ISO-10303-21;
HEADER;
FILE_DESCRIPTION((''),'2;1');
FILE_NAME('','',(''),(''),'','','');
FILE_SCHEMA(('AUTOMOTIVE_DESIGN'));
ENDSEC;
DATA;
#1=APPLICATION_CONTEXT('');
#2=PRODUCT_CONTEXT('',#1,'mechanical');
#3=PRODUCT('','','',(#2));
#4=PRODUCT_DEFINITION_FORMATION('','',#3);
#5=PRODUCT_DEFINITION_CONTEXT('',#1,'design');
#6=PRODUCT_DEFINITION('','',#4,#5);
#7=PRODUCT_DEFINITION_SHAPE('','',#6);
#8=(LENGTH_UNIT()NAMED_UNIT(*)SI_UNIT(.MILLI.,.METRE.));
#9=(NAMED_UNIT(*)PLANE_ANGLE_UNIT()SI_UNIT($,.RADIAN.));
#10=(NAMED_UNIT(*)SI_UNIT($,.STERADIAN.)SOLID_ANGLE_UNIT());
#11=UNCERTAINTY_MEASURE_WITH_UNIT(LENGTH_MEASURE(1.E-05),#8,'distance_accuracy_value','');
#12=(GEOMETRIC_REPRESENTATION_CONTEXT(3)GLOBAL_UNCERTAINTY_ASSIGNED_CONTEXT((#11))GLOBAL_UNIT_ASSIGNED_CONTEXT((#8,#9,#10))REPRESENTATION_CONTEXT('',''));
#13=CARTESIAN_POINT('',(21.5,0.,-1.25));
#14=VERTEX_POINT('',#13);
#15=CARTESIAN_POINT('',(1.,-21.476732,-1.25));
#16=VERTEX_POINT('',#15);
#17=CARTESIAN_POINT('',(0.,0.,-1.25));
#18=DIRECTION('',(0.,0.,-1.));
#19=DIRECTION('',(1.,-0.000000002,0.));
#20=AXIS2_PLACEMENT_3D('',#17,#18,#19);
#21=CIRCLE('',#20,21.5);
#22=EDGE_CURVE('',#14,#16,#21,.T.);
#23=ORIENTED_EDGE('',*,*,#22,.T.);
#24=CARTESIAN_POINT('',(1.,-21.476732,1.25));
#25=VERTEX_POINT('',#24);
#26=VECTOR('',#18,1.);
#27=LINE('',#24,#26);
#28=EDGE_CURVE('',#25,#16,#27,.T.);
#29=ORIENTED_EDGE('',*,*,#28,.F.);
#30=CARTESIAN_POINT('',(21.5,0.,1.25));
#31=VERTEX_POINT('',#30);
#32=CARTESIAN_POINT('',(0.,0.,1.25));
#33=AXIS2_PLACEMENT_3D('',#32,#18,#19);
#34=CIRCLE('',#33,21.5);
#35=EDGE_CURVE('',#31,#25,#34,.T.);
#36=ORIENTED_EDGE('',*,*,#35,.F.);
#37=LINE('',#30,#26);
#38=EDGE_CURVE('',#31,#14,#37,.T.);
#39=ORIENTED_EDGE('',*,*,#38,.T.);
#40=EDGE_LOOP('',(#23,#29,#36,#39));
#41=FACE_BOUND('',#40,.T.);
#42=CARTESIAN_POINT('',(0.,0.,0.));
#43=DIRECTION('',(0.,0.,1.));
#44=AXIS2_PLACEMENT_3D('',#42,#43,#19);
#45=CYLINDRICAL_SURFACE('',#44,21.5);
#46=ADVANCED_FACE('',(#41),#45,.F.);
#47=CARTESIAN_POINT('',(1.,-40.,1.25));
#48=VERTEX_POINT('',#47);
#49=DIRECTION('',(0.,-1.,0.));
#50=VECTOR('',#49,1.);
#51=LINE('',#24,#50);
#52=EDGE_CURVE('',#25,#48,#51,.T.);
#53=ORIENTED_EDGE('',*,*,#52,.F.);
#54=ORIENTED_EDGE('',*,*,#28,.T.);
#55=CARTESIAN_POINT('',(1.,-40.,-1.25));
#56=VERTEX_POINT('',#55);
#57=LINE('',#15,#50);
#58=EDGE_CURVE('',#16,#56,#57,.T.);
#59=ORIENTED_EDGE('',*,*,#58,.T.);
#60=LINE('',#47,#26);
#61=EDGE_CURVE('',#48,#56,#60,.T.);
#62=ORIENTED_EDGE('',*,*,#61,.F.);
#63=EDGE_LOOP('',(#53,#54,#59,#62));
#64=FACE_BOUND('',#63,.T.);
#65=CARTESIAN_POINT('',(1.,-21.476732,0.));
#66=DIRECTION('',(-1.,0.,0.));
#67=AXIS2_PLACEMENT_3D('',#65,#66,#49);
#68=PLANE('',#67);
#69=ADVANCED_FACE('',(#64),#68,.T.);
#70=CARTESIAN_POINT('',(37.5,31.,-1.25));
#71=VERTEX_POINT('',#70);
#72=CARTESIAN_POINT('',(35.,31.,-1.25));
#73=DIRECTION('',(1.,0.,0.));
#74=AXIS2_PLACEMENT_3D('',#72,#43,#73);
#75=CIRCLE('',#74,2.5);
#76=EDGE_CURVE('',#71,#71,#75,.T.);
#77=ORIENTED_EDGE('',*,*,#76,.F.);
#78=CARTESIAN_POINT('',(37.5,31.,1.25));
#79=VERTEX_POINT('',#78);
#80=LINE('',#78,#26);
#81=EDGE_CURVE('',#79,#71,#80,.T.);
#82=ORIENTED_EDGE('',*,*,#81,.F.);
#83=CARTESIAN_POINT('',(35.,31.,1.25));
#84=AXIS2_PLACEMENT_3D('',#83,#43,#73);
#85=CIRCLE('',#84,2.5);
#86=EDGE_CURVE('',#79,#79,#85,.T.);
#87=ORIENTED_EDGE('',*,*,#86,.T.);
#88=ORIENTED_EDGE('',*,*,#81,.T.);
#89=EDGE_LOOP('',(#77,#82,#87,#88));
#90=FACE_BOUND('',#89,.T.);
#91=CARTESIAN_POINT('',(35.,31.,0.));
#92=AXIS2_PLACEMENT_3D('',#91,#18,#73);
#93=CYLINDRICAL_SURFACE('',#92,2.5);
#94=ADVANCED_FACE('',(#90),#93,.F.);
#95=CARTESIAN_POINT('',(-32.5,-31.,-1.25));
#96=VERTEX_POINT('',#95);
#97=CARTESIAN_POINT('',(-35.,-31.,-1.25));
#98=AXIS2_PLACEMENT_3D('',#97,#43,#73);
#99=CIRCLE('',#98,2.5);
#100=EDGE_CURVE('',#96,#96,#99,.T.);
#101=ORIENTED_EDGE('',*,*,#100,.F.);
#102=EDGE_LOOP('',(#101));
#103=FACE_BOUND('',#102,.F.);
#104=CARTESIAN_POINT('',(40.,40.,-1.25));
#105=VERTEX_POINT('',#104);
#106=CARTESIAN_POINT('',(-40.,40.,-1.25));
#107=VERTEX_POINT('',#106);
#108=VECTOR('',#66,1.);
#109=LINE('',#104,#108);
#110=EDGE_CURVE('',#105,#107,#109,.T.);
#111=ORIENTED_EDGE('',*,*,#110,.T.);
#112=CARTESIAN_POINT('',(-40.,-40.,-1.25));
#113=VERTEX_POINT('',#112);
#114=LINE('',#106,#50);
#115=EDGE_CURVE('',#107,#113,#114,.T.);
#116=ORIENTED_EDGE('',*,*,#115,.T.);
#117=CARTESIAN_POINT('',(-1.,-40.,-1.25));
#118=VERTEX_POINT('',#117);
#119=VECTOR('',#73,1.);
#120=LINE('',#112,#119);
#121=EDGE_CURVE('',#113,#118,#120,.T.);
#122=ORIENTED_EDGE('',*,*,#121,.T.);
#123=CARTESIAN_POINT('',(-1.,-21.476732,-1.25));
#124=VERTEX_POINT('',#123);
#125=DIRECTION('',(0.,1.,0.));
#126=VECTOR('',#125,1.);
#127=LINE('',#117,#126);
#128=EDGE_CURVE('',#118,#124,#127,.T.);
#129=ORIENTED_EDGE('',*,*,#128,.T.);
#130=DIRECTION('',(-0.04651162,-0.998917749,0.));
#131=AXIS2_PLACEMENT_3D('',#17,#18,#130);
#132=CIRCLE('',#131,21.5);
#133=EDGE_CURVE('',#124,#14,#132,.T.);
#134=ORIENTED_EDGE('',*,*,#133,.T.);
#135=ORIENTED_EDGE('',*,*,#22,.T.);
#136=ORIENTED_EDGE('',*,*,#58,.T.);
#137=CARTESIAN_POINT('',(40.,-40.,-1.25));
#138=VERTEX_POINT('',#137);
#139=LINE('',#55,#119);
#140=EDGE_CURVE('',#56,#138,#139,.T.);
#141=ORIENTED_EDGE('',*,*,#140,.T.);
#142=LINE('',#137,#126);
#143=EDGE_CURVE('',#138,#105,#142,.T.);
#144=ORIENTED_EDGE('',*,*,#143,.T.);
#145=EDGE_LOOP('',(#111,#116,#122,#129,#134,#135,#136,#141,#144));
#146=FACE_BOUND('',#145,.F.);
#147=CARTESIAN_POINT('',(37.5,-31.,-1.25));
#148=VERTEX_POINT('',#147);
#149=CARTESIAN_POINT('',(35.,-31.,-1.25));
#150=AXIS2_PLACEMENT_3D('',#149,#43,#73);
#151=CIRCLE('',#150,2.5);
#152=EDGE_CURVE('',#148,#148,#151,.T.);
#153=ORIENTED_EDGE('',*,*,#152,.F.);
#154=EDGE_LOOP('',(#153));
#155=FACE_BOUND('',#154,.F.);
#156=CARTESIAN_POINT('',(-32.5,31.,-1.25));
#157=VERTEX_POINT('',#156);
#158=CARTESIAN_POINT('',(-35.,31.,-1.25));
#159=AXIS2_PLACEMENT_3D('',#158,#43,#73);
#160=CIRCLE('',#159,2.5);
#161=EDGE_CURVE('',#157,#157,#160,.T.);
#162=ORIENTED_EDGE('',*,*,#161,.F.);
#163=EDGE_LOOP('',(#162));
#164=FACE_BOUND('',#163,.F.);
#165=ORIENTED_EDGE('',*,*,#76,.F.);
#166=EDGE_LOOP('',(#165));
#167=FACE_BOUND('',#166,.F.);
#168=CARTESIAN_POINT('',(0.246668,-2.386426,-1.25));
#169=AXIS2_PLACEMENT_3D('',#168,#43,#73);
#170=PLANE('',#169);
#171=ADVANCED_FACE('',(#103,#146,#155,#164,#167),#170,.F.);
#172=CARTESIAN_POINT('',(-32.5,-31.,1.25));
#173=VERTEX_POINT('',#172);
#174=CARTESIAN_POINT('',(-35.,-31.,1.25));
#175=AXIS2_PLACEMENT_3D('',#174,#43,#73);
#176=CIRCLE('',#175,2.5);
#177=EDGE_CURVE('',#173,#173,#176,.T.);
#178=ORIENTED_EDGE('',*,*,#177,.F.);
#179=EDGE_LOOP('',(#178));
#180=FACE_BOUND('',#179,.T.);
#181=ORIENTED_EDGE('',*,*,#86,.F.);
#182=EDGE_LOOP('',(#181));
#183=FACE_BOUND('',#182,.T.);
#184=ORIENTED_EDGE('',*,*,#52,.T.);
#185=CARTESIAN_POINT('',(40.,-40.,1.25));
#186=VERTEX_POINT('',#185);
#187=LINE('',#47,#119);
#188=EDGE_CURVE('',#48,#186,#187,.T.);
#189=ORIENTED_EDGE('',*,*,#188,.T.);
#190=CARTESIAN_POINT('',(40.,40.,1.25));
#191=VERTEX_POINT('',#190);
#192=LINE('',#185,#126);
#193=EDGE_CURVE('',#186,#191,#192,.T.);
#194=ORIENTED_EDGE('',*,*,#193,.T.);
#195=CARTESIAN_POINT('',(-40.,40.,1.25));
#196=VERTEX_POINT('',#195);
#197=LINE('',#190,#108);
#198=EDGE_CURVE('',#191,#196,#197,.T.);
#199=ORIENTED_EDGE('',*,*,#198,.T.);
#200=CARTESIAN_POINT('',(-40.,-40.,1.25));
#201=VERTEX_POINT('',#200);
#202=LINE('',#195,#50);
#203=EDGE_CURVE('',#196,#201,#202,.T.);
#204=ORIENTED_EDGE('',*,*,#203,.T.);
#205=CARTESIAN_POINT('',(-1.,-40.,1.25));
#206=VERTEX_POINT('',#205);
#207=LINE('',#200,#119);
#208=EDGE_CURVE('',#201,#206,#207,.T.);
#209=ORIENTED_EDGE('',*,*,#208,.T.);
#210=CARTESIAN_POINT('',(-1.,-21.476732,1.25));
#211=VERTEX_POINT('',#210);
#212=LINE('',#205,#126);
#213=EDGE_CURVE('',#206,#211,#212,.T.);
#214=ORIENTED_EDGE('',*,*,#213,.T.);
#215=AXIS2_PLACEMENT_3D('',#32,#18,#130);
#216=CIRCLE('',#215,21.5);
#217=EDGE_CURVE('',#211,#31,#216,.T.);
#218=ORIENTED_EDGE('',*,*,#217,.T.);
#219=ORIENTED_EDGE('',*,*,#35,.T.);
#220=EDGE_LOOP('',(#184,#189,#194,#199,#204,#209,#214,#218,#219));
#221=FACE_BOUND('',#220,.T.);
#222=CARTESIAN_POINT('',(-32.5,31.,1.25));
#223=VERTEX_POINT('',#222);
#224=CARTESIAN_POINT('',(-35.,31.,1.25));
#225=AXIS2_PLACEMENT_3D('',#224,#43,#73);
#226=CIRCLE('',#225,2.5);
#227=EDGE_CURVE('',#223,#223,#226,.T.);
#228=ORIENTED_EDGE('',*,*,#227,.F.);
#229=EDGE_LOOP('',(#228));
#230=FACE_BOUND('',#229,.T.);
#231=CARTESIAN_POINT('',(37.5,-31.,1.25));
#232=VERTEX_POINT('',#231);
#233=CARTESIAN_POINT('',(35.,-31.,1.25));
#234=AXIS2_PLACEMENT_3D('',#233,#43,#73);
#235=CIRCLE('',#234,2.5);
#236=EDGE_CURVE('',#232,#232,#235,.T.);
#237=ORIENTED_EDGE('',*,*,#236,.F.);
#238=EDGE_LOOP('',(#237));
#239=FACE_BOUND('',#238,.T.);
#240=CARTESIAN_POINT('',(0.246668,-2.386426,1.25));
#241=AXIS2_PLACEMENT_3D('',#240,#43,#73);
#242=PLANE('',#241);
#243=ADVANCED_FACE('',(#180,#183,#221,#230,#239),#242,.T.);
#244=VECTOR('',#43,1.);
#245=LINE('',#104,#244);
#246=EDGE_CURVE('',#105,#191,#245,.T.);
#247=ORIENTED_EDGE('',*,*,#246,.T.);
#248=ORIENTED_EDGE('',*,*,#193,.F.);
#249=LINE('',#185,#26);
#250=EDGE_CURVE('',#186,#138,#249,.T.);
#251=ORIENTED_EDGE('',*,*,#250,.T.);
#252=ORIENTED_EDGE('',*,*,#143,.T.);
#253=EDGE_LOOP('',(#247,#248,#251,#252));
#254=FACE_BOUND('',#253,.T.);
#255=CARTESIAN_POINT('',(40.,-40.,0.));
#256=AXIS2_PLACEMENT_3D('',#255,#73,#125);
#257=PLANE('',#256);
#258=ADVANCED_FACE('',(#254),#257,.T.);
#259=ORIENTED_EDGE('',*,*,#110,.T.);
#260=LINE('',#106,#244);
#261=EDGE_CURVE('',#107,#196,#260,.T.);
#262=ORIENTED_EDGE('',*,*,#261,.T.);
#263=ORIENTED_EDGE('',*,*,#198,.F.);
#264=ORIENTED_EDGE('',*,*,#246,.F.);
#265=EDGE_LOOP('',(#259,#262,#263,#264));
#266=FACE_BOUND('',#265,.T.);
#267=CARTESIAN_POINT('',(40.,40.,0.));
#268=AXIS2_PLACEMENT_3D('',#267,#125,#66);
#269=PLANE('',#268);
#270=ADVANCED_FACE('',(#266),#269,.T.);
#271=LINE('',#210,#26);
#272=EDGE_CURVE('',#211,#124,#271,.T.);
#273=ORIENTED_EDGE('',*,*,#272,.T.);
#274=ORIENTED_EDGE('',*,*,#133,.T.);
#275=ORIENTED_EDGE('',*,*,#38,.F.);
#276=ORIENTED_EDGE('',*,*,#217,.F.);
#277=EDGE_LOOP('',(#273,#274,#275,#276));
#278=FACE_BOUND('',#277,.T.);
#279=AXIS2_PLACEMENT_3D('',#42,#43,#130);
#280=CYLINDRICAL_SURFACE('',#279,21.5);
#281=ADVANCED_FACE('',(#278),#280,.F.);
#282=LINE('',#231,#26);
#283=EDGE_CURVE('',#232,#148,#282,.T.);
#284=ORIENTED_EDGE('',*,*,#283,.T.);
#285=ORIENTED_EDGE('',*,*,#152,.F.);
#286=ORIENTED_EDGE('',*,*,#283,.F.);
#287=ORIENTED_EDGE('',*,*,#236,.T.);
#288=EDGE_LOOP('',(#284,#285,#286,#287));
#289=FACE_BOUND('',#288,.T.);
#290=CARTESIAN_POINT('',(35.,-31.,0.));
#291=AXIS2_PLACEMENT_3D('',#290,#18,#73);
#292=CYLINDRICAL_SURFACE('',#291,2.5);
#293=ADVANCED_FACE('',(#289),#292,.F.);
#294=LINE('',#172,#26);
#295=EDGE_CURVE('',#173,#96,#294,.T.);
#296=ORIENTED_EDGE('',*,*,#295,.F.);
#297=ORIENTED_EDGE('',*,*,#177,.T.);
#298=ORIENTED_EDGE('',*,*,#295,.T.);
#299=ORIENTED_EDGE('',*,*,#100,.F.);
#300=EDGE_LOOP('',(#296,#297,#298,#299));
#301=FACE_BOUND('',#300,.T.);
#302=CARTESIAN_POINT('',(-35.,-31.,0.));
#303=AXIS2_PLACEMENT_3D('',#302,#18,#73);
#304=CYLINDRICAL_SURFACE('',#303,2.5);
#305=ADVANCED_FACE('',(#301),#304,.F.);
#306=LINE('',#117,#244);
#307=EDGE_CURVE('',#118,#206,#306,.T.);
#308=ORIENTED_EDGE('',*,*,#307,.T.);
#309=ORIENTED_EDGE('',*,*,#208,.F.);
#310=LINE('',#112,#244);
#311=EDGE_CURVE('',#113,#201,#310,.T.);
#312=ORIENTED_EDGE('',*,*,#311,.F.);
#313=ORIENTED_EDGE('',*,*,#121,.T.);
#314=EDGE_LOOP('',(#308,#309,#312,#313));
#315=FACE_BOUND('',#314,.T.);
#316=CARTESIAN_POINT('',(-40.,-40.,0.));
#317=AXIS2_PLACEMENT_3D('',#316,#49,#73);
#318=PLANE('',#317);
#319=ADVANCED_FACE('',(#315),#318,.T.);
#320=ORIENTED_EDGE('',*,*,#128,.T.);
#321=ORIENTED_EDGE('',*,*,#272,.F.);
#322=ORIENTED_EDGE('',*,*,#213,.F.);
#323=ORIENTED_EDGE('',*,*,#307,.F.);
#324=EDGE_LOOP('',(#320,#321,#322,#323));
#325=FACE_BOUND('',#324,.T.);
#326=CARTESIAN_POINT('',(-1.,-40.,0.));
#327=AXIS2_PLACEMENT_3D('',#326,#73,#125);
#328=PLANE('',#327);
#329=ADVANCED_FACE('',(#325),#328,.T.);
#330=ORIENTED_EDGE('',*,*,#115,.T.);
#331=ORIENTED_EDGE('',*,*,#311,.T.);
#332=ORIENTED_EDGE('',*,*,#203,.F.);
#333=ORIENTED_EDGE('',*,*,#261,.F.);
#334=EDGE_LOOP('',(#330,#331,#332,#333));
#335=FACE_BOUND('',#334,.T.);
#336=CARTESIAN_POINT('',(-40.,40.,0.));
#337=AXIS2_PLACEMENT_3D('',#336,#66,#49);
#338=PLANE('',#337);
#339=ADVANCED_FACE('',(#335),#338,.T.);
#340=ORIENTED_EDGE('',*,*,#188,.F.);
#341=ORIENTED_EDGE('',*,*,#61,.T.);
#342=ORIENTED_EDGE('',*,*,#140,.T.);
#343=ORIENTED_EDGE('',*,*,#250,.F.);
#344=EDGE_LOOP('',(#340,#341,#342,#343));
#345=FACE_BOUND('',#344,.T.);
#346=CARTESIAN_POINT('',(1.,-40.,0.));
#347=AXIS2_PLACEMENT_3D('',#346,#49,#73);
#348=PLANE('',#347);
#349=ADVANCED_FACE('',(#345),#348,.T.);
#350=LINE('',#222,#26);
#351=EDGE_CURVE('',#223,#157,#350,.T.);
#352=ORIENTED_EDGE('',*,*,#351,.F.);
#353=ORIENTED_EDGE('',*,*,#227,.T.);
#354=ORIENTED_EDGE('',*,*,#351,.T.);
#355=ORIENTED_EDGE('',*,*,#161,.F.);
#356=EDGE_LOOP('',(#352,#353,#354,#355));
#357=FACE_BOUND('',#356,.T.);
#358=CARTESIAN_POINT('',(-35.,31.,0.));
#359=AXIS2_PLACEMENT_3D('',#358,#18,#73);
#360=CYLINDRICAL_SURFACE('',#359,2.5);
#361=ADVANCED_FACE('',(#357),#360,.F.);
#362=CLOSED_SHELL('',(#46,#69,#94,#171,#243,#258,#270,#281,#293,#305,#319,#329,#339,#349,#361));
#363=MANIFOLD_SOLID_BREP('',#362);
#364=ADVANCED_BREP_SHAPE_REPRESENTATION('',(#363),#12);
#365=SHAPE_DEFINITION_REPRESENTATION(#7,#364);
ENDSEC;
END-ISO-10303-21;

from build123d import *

# Parameters (mm, degrees)
F0_R     = 2.5
F1_DEPTH = 1.25


with BuildPart() as f1:
    # F0 (on Top) → F1 (new body, symmetric)
    with BuildSketch(Plane.XY):
        with BuildLine():
            Line((40, -40), (40, 40))
            Line((40, 40), (-40, 40))
            Line((-40, 40), (-40, -40))
            Line((-40, -40), (-1, -40))
            Line((-1, -40), (-1, -21.5))
            Line((-1, -21.5), (-1, -21.476732))
            ThreePointArc((-1, -21.476732), (-14.845033, 15.552331), (21.5, 0))
            ThreePointArc((21.5, 0), (15.552331, -14.845033), (1, -21.476732))
            Line((1, -21.476732), (1, -21.5))
            Line((1, -21.5), (1, -40))
            Line((1, -40), (40, -40))
        make_face()
        with Locations((-35, -31)):
            Circle(F0_R, mode=Mode.SUBTRACT)
        with Locations((35, -31)):
            Circle(F0_R, mode=Mode.SUBTRACT)
        with Locations((-35, 31)):
            Circle(F0_R, mode=Mode.SUBTRACT)
        with Locations((35, 31)):
            Circle(F0_R, mode=Mode.SUBTRACT)
    extrude(amount=F1_DEPTH, both=True)


solid = f1.part
